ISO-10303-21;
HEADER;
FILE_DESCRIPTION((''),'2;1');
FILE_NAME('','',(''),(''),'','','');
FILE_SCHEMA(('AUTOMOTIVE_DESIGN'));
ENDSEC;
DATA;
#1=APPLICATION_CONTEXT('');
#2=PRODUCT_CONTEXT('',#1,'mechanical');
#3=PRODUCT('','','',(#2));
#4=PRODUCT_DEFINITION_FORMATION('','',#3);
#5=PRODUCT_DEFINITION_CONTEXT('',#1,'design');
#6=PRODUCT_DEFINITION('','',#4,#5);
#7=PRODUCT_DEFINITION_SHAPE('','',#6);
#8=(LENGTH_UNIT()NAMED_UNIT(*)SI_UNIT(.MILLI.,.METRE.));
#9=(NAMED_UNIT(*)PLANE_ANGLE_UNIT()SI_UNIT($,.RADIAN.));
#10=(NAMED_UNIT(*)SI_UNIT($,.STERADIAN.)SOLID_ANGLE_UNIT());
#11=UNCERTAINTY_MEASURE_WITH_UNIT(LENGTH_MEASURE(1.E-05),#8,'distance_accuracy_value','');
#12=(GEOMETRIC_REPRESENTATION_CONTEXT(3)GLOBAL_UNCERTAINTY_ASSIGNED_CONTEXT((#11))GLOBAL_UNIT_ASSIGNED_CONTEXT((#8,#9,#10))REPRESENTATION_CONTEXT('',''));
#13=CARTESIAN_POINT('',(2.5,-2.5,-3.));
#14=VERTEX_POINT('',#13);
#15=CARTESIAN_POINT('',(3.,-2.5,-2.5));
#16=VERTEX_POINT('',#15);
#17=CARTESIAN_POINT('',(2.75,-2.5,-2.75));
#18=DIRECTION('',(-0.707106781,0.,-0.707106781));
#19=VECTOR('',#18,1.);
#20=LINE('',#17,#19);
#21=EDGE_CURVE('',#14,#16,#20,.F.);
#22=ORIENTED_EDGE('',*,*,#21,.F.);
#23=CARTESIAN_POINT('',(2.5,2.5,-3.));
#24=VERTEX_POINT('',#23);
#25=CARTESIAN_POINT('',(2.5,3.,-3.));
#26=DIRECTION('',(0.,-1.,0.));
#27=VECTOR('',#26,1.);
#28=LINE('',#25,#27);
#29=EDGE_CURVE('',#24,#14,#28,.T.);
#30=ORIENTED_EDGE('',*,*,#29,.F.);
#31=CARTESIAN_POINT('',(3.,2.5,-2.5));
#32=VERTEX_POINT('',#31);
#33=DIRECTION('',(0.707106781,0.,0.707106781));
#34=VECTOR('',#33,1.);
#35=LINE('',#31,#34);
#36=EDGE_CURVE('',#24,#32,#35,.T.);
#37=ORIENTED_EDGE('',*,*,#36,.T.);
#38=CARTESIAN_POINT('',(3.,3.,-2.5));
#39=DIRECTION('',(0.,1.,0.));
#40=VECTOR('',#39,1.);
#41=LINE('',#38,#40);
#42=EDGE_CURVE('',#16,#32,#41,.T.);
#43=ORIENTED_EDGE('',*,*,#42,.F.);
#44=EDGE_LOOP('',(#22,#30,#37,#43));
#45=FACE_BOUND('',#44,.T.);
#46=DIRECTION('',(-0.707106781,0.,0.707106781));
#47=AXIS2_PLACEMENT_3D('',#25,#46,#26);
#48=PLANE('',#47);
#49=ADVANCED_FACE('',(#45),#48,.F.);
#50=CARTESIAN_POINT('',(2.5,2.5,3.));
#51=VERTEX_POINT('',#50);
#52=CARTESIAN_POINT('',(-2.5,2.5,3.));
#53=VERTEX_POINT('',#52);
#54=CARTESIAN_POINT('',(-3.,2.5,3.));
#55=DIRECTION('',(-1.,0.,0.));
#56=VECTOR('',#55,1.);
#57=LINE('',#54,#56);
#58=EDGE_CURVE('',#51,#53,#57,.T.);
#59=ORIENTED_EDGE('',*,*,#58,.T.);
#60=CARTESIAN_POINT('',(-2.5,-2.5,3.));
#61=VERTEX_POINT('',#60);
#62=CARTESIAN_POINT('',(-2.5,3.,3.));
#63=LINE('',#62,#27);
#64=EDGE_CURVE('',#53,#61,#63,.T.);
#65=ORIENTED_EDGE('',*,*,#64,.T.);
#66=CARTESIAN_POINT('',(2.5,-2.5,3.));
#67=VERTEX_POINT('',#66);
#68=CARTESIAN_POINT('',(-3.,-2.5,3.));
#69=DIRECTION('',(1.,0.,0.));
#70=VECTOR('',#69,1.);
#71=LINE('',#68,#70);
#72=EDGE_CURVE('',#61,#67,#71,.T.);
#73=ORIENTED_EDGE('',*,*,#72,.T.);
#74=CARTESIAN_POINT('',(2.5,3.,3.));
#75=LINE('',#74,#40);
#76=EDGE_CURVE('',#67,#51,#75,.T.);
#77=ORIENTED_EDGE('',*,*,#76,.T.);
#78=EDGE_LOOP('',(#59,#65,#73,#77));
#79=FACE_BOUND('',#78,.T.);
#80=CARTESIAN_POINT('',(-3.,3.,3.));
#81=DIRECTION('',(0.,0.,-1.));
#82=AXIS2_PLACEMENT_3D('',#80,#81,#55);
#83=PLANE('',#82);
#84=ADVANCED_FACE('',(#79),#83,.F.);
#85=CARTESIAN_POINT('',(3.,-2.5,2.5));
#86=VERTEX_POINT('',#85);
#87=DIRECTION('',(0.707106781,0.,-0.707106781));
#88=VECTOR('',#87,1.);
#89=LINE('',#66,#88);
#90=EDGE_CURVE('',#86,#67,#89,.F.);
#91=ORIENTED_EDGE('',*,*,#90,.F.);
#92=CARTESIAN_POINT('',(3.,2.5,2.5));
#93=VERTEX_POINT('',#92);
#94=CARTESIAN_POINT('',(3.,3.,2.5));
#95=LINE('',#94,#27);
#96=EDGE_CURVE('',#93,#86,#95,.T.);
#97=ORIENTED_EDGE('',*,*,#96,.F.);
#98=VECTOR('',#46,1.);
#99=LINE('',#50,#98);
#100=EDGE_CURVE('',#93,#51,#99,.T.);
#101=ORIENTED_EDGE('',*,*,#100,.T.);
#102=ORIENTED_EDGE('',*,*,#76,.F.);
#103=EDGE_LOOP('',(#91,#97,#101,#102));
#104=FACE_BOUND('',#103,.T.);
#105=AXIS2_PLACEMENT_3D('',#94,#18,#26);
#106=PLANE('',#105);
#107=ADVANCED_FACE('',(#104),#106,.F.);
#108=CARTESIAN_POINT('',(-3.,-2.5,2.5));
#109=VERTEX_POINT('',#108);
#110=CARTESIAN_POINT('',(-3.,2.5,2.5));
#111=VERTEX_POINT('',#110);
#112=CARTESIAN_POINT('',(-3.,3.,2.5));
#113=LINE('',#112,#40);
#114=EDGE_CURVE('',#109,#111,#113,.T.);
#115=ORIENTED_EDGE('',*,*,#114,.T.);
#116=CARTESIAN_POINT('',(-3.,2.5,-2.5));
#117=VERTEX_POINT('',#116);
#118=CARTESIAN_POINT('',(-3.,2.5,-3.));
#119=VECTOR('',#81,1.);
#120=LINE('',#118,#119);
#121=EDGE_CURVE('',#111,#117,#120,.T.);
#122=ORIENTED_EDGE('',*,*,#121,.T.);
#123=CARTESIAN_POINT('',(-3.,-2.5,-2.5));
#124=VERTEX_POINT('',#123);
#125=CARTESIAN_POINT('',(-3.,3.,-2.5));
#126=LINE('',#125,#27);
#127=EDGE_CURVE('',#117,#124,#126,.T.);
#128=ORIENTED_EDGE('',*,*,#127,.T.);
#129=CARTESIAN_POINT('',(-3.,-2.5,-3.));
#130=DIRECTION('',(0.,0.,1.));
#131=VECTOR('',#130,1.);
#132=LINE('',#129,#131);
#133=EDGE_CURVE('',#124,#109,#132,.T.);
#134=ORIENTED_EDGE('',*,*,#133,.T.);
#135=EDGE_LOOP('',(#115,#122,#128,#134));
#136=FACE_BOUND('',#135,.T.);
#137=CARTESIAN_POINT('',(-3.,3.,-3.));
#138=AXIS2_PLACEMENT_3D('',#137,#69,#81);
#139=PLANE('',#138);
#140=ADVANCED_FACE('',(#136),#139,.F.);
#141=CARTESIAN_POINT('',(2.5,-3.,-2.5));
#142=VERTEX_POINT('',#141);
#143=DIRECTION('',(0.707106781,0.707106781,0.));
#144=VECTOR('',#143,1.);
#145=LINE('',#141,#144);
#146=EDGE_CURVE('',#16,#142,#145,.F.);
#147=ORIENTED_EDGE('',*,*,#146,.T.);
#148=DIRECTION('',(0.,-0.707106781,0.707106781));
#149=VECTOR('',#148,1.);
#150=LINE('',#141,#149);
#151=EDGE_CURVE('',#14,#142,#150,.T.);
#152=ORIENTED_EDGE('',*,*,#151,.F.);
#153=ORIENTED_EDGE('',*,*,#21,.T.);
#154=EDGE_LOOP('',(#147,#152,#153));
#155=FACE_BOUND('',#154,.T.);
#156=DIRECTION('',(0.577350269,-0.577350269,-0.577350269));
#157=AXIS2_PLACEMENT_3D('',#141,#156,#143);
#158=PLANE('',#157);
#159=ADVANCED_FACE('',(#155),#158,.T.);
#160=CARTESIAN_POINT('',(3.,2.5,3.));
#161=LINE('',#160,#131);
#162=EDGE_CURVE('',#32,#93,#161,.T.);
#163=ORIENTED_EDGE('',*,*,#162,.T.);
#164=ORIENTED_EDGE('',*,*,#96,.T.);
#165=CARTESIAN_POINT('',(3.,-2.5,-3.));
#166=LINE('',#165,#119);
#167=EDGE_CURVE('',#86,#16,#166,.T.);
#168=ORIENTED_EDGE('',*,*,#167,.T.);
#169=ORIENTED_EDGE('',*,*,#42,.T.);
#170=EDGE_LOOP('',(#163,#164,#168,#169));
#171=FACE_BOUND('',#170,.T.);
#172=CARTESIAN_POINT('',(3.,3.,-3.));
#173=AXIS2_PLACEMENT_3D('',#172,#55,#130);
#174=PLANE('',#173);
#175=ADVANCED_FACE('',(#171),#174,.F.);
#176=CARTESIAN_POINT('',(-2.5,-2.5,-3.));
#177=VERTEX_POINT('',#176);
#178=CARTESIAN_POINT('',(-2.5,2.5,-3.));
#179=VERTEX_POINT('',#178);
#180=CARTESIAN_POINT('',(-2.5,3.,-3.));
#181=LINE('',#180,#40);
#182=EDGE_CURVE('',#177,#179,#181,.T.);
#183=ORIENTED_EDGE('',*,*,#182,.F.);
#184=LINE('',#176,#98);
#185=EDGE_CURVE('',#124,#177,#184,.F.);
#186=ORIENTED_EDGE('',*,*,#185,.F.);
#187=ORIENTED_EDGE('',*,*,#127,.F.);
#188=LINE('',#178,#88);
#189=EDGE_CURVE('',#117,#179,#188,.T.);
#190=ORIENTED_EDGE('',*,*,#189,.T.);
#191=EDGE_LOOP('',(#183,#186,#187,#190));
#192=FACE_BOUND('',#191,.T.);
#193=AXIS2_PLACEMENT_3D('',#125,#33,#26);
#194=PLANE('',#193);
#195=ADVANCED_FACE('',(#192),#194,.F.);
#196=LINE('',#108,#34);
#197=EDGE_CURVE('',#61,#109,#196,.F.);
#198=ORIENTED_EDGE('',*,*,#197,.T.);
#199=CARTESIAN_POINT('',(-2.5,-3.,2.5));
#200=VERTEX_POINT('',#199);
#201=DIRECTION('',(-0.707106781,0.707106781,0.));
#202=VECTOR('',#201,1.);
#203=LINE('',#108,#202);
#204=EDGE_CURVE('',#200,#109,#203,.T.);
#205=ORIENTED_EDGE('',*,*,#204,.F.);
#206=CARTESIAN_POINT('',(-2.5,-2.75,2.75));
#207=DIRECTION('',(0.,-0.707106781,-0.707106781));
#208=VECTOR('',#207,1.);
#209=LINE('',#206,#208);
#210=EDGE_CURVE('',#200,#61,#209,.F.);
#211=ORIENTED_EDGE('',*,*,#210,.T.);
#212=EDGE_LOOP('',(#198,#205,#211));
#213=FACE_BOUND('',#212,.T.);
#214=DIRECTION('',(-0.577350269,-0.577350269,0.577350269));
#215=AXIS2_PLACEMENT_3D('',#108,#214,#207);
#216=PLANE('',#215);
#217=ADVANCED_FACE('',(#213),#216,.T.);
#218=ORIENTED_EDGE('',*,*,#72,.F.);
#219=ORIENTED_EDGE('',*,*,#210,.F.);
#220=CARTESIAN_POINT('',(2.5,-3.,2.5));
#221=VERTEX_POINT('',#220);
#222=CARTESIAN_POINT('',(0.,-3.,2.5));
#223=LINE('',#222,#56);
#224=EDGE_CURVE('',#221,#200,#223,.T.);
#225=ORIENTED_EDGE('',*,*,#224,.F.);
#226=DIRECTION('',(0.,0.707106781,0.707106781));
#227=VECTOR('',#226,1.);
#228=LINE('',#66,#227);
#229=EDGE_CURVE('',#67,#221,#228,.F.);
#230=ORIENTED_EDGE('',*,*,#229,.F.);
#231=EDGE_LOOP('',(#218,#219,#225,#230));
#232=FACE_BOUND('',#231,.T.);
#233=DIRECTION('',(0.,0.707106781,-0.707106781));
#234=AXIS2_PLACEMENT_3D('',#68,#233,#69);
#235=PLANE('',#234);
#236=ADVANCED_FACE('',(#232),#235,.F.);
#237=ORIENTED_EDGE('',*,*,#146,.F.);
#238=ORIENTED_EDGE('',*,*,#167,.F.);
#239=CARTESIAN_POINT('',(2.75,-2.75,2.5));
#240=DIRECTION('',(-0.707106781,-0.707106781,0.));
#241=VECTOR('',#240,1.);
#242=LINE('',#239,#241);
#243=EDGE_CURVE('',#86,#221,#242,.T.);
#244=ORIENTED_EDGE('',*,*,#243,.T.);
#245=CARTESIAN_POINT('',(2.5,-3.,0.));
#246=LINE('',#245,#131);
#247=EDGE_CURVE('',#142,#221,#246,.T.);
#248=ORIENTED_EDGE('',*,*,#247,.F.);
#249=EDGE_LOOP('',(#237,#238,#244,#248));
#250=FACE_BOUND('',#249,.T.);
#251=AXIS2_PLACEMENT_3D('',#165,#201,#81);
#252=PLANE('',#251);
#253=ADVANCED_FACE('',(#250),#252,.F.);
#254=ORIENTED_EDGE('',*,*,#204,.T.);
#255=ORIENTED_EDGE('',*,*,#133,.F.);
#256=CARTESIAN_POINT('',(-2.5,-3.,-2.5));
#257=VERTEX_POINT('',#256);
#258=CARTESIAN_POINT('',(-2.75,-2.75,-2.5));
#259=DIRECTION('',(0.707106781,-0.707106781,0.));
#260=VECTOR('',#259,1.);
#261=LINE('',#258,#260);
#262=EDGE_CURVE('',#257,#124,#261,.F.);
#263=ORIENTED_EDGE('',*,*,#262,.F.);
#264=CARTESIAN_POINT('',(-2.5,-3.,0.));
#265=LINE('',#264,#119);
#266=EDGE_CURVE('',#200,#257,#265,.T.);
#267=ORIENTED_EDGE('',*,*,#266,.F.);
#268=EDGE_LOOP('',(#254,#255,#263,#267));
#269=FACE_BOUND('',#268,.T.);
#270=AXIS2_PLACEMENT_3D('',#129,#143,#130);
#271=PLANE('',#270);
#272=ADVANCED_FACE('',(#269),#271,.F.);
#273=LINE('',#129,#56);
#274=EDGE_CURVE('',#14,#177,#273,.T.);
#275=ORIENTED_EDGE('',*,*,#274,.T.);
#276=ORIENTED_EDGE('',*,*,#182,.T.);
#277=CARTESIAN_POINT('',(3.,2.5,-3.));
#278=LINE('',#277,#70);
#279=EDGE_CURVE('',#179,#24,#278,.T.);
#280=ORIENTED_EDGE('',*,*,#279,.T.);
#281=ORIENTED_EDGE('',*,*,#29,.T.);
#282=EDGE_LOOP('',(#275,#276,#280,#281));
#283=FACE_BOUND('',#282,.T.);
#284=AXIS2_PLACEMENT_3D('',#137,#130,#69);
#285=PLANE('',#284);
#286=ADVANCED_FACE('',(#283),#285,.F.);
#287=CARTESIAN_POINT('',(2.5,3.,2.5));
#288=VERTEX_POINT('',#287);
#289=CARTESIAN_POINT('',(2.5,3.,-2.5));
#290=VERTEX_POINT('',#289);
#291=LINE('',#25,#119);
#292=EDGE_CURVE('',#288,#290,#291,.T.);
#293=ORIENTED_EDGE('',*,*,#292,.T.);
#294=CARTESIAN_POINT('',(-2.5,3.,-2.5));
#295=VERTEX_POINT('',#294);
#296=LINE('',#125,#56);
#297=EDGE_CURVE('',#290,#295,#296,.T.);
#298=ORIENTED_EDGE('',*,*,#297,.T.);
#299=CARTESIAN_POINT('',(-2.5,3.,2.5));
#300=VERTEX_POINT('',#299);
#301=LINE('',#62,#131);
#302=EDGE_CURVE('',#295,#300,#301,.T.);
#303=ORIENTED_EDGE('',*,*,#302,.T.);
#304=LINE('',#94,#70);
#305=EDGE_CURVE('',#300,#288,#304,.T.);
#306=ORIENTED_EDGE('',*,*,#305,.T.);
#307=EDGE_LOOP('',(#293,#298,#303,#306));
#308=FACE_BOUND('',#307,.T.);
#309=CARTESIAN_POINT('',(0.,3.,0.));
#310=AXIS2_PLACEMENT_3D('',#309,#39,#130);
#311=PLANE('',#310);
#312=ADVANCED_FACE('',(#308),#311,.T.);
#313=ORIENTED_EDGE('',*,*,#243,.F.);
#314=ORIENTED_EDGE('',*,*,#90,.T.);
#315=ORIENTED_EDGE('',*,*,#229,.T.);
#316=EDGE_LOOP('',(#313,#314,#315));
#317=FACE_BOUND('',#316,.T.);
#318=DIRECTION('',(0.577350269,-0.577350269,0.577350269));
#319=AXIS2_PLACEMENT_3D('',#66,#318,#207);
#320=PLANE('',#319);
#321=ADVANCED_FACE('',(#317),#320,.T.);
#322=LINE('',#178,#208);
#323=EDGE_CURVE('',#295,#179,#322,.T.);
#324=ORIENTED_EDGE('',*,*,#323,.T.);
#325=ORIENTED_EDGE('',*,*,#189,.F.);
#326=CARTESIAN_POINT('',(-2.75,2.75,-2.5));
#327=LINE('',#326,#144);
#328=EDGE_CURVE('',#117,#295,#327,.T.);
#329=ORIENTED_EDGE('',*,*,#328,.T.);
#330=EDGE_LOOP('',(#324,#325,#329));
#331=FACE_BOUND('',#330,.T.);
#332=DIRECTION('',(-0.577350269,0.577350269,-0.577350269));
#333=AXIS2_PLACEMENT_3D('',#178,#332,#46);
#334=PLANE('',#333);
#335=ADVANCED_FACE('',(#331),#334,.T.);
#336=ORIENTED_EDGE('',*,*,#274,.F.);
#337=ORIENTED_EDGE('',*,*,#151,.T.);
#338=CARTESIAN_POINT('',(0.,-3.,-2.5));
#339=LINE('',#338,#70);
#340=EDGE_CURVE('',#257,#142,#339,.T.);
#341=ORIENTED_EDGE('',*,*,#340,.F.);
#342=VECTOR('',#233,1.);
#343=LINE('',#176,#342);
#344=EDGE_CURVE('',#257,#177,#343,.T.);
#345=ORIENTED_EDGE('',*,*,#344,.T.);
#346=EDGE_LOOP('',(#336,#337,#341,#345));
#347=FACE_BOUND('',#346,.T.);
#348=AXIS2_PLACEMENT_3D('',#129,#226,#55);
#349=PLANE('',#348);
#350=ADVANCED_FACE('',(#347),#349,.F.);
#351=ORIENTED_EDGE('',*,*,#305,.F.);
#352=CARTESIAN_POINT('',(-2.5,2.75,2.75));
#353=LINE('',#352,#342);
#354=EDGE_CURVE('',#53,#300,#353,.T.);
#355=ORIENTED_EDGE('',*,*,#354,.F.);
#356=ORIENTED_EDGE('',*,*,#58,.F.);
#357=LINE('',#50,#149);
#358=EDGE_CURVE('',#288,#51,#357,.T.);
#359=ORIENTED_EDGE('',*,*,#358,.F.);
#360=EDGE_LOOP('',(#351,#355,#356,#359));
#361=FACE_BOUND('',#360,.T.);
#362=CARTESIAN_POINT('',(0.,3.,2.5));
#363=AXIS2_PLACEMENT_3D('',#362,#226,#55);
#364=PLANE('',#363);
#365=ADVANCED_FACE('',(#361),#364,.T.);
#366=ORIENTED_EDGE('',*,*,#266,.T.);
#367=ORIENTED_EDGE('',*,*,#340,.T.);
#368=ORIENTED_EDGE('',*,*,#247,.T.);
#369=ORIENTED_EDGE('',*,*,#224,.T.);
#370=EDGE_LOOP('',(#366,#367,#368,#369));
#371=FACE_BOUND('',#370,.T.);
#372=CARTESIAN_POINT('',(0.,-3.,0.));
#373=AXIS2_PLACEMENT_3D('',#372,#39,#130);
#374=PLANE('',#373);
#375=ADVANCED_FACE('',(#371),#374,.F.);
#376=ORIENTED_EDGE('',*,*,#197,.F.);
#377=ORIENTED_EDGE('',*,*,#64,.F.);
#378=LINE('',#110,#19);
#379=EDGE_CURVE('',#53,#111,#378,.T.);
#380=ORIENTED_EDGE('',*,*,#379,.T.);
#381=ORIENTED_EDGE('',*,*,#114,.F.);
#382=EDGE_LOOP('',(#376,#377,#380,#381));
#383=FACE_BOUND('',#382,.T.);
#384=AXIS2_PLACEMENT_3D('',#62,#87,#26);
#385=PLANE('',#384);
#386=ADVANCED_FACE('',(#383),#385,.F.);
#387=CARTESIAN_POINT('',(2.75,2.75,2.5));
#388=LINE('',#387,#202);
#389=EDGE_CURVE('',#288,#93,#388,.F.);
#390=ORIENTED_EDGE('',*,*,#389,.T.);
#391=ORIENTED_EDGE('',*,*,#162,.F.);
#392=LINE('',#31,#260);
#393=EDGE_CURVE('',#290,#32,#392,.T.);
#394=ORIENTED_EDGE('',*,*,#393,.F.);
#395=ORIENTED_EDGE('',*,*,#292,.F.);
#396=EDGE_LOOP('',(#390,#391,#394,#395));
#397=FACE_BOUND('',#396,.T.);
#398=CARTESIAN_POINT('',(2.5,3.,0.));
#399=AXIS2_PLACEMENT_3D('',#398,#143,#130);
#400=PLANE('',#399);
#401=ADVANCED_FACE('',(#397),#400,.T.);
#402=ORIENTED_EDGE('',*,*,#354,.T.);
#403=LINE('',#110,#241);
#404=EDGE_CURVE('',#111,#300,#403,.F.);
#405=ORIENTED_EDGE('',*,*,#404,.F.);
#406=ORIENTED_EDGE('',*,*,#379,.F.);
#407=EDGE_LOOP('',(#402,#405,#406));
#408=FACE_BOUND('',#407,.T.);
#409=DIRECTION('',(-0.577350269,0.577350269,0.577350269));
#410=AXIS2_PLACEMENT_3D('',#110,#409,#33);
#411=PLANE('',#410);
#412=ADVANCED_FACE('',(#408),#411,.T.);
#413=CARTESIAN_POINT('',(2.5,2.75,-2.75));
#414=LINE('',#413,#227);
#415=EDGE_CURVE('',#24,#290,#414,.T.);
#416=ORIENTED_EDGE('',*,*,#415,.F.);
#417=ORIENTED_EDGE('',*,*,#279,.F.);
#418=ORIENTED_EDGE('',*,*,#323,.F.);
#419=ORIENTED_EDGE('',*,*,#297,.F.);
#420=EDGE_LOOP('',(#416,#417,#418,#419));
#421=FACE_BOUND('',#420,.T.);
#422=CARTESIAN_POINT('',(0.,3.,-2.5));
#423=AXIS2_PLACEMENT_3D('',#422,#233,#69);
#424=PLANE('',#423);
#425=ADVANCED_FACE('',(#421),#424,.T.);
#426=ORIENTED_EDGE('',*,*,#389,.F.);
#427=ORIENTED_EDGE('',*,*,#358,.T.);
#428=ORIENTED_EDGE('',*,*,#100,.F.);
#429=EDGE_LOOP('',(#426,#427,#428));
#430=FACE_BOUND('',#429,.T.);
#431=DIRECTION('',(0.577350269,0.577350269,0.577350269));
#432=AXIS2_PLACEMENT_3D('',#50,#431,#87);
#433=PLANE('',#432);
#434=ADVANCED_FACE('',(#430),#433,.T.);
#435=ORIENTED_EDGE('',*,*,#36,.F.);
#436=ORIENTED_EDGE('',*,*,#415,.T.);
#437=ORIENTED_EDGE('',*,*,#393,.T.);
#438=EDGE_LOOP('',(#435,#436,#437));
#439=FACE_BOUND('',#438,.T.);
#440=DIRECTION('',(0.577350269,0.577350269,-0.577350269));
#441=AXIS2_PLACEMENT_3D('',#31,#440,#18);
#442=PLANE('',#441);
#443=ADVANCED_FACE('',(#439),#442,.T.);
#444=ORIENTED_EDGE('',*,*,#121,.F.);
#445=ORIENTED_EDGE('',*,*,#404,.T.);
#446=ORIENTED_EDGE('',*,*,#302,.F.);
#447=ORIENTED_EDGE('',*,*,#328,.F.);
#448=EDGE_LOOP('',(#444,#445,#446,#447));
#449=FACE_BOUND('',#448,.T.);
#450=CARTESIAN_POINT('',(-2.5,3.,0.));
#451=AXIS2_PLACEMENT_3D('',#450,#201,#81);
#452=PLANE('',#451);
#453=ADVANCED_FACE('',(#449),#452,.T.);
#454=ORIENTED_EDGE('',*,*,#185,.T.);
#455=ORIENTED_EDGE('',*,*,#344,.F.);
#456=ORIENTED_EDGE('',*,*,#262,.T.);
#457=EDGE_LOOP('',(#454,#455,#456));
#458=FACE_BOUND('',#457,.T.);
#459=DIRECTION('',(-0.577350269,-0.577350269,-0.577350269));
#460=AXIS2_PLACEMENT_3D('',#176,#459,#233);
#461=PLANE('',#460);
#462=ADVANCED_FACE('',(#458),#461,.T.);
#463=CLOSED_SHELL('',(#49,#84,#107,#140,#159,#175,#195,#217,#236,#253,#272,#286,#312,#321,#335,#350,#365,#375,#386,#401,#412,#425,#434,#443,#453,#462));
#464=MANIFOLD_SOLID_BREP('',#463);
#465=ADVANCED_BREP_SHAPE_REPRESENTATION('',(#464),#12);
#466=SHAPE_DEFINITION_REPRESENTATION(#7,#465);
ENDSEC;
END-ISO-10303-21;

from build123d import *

# Parameters (mm, degrees)
SKETCH1_W           = 6
SKETCH1_H           = 6
BOSS_EXTRUDE1_DEPTH = 3
CHAMFER1_SIZE       = 0.5


with BuildPart() as part:
    # Sketch1 → Boss-Extrude1 (new, symmetric)
    with BuildSketch(Plane(origin=(0, 0, 0), x_dir=(1, 0, 0), z_dir=(0, 1, 0))):
        Rectangle(SKETCH1_W, SKETCH1_H)
    extrude(amount=BOSS_EXTRUDE1_DEPTH, both=True)

    # Chamfer1
    chamfer1_edges = [part.edges().sort_by_distance(p)[0] for p in [
        (-3, 3, 0),
        (0, 3, 3),
        (3, 3, 0),
        (0, -3, 3),
        (-3, -3, 0),
        (0, -3, -3),
        (3, -3, 0),
        (3, 0, 3),
        (-3, 0, 3),
        (-3, 0, -3),
        (3, 0, -3),
        (0, 3, -3),
    ]]
    chamfer(chamfer1_edges, length=CHAMFER1_SIZE)


solid = part.part
